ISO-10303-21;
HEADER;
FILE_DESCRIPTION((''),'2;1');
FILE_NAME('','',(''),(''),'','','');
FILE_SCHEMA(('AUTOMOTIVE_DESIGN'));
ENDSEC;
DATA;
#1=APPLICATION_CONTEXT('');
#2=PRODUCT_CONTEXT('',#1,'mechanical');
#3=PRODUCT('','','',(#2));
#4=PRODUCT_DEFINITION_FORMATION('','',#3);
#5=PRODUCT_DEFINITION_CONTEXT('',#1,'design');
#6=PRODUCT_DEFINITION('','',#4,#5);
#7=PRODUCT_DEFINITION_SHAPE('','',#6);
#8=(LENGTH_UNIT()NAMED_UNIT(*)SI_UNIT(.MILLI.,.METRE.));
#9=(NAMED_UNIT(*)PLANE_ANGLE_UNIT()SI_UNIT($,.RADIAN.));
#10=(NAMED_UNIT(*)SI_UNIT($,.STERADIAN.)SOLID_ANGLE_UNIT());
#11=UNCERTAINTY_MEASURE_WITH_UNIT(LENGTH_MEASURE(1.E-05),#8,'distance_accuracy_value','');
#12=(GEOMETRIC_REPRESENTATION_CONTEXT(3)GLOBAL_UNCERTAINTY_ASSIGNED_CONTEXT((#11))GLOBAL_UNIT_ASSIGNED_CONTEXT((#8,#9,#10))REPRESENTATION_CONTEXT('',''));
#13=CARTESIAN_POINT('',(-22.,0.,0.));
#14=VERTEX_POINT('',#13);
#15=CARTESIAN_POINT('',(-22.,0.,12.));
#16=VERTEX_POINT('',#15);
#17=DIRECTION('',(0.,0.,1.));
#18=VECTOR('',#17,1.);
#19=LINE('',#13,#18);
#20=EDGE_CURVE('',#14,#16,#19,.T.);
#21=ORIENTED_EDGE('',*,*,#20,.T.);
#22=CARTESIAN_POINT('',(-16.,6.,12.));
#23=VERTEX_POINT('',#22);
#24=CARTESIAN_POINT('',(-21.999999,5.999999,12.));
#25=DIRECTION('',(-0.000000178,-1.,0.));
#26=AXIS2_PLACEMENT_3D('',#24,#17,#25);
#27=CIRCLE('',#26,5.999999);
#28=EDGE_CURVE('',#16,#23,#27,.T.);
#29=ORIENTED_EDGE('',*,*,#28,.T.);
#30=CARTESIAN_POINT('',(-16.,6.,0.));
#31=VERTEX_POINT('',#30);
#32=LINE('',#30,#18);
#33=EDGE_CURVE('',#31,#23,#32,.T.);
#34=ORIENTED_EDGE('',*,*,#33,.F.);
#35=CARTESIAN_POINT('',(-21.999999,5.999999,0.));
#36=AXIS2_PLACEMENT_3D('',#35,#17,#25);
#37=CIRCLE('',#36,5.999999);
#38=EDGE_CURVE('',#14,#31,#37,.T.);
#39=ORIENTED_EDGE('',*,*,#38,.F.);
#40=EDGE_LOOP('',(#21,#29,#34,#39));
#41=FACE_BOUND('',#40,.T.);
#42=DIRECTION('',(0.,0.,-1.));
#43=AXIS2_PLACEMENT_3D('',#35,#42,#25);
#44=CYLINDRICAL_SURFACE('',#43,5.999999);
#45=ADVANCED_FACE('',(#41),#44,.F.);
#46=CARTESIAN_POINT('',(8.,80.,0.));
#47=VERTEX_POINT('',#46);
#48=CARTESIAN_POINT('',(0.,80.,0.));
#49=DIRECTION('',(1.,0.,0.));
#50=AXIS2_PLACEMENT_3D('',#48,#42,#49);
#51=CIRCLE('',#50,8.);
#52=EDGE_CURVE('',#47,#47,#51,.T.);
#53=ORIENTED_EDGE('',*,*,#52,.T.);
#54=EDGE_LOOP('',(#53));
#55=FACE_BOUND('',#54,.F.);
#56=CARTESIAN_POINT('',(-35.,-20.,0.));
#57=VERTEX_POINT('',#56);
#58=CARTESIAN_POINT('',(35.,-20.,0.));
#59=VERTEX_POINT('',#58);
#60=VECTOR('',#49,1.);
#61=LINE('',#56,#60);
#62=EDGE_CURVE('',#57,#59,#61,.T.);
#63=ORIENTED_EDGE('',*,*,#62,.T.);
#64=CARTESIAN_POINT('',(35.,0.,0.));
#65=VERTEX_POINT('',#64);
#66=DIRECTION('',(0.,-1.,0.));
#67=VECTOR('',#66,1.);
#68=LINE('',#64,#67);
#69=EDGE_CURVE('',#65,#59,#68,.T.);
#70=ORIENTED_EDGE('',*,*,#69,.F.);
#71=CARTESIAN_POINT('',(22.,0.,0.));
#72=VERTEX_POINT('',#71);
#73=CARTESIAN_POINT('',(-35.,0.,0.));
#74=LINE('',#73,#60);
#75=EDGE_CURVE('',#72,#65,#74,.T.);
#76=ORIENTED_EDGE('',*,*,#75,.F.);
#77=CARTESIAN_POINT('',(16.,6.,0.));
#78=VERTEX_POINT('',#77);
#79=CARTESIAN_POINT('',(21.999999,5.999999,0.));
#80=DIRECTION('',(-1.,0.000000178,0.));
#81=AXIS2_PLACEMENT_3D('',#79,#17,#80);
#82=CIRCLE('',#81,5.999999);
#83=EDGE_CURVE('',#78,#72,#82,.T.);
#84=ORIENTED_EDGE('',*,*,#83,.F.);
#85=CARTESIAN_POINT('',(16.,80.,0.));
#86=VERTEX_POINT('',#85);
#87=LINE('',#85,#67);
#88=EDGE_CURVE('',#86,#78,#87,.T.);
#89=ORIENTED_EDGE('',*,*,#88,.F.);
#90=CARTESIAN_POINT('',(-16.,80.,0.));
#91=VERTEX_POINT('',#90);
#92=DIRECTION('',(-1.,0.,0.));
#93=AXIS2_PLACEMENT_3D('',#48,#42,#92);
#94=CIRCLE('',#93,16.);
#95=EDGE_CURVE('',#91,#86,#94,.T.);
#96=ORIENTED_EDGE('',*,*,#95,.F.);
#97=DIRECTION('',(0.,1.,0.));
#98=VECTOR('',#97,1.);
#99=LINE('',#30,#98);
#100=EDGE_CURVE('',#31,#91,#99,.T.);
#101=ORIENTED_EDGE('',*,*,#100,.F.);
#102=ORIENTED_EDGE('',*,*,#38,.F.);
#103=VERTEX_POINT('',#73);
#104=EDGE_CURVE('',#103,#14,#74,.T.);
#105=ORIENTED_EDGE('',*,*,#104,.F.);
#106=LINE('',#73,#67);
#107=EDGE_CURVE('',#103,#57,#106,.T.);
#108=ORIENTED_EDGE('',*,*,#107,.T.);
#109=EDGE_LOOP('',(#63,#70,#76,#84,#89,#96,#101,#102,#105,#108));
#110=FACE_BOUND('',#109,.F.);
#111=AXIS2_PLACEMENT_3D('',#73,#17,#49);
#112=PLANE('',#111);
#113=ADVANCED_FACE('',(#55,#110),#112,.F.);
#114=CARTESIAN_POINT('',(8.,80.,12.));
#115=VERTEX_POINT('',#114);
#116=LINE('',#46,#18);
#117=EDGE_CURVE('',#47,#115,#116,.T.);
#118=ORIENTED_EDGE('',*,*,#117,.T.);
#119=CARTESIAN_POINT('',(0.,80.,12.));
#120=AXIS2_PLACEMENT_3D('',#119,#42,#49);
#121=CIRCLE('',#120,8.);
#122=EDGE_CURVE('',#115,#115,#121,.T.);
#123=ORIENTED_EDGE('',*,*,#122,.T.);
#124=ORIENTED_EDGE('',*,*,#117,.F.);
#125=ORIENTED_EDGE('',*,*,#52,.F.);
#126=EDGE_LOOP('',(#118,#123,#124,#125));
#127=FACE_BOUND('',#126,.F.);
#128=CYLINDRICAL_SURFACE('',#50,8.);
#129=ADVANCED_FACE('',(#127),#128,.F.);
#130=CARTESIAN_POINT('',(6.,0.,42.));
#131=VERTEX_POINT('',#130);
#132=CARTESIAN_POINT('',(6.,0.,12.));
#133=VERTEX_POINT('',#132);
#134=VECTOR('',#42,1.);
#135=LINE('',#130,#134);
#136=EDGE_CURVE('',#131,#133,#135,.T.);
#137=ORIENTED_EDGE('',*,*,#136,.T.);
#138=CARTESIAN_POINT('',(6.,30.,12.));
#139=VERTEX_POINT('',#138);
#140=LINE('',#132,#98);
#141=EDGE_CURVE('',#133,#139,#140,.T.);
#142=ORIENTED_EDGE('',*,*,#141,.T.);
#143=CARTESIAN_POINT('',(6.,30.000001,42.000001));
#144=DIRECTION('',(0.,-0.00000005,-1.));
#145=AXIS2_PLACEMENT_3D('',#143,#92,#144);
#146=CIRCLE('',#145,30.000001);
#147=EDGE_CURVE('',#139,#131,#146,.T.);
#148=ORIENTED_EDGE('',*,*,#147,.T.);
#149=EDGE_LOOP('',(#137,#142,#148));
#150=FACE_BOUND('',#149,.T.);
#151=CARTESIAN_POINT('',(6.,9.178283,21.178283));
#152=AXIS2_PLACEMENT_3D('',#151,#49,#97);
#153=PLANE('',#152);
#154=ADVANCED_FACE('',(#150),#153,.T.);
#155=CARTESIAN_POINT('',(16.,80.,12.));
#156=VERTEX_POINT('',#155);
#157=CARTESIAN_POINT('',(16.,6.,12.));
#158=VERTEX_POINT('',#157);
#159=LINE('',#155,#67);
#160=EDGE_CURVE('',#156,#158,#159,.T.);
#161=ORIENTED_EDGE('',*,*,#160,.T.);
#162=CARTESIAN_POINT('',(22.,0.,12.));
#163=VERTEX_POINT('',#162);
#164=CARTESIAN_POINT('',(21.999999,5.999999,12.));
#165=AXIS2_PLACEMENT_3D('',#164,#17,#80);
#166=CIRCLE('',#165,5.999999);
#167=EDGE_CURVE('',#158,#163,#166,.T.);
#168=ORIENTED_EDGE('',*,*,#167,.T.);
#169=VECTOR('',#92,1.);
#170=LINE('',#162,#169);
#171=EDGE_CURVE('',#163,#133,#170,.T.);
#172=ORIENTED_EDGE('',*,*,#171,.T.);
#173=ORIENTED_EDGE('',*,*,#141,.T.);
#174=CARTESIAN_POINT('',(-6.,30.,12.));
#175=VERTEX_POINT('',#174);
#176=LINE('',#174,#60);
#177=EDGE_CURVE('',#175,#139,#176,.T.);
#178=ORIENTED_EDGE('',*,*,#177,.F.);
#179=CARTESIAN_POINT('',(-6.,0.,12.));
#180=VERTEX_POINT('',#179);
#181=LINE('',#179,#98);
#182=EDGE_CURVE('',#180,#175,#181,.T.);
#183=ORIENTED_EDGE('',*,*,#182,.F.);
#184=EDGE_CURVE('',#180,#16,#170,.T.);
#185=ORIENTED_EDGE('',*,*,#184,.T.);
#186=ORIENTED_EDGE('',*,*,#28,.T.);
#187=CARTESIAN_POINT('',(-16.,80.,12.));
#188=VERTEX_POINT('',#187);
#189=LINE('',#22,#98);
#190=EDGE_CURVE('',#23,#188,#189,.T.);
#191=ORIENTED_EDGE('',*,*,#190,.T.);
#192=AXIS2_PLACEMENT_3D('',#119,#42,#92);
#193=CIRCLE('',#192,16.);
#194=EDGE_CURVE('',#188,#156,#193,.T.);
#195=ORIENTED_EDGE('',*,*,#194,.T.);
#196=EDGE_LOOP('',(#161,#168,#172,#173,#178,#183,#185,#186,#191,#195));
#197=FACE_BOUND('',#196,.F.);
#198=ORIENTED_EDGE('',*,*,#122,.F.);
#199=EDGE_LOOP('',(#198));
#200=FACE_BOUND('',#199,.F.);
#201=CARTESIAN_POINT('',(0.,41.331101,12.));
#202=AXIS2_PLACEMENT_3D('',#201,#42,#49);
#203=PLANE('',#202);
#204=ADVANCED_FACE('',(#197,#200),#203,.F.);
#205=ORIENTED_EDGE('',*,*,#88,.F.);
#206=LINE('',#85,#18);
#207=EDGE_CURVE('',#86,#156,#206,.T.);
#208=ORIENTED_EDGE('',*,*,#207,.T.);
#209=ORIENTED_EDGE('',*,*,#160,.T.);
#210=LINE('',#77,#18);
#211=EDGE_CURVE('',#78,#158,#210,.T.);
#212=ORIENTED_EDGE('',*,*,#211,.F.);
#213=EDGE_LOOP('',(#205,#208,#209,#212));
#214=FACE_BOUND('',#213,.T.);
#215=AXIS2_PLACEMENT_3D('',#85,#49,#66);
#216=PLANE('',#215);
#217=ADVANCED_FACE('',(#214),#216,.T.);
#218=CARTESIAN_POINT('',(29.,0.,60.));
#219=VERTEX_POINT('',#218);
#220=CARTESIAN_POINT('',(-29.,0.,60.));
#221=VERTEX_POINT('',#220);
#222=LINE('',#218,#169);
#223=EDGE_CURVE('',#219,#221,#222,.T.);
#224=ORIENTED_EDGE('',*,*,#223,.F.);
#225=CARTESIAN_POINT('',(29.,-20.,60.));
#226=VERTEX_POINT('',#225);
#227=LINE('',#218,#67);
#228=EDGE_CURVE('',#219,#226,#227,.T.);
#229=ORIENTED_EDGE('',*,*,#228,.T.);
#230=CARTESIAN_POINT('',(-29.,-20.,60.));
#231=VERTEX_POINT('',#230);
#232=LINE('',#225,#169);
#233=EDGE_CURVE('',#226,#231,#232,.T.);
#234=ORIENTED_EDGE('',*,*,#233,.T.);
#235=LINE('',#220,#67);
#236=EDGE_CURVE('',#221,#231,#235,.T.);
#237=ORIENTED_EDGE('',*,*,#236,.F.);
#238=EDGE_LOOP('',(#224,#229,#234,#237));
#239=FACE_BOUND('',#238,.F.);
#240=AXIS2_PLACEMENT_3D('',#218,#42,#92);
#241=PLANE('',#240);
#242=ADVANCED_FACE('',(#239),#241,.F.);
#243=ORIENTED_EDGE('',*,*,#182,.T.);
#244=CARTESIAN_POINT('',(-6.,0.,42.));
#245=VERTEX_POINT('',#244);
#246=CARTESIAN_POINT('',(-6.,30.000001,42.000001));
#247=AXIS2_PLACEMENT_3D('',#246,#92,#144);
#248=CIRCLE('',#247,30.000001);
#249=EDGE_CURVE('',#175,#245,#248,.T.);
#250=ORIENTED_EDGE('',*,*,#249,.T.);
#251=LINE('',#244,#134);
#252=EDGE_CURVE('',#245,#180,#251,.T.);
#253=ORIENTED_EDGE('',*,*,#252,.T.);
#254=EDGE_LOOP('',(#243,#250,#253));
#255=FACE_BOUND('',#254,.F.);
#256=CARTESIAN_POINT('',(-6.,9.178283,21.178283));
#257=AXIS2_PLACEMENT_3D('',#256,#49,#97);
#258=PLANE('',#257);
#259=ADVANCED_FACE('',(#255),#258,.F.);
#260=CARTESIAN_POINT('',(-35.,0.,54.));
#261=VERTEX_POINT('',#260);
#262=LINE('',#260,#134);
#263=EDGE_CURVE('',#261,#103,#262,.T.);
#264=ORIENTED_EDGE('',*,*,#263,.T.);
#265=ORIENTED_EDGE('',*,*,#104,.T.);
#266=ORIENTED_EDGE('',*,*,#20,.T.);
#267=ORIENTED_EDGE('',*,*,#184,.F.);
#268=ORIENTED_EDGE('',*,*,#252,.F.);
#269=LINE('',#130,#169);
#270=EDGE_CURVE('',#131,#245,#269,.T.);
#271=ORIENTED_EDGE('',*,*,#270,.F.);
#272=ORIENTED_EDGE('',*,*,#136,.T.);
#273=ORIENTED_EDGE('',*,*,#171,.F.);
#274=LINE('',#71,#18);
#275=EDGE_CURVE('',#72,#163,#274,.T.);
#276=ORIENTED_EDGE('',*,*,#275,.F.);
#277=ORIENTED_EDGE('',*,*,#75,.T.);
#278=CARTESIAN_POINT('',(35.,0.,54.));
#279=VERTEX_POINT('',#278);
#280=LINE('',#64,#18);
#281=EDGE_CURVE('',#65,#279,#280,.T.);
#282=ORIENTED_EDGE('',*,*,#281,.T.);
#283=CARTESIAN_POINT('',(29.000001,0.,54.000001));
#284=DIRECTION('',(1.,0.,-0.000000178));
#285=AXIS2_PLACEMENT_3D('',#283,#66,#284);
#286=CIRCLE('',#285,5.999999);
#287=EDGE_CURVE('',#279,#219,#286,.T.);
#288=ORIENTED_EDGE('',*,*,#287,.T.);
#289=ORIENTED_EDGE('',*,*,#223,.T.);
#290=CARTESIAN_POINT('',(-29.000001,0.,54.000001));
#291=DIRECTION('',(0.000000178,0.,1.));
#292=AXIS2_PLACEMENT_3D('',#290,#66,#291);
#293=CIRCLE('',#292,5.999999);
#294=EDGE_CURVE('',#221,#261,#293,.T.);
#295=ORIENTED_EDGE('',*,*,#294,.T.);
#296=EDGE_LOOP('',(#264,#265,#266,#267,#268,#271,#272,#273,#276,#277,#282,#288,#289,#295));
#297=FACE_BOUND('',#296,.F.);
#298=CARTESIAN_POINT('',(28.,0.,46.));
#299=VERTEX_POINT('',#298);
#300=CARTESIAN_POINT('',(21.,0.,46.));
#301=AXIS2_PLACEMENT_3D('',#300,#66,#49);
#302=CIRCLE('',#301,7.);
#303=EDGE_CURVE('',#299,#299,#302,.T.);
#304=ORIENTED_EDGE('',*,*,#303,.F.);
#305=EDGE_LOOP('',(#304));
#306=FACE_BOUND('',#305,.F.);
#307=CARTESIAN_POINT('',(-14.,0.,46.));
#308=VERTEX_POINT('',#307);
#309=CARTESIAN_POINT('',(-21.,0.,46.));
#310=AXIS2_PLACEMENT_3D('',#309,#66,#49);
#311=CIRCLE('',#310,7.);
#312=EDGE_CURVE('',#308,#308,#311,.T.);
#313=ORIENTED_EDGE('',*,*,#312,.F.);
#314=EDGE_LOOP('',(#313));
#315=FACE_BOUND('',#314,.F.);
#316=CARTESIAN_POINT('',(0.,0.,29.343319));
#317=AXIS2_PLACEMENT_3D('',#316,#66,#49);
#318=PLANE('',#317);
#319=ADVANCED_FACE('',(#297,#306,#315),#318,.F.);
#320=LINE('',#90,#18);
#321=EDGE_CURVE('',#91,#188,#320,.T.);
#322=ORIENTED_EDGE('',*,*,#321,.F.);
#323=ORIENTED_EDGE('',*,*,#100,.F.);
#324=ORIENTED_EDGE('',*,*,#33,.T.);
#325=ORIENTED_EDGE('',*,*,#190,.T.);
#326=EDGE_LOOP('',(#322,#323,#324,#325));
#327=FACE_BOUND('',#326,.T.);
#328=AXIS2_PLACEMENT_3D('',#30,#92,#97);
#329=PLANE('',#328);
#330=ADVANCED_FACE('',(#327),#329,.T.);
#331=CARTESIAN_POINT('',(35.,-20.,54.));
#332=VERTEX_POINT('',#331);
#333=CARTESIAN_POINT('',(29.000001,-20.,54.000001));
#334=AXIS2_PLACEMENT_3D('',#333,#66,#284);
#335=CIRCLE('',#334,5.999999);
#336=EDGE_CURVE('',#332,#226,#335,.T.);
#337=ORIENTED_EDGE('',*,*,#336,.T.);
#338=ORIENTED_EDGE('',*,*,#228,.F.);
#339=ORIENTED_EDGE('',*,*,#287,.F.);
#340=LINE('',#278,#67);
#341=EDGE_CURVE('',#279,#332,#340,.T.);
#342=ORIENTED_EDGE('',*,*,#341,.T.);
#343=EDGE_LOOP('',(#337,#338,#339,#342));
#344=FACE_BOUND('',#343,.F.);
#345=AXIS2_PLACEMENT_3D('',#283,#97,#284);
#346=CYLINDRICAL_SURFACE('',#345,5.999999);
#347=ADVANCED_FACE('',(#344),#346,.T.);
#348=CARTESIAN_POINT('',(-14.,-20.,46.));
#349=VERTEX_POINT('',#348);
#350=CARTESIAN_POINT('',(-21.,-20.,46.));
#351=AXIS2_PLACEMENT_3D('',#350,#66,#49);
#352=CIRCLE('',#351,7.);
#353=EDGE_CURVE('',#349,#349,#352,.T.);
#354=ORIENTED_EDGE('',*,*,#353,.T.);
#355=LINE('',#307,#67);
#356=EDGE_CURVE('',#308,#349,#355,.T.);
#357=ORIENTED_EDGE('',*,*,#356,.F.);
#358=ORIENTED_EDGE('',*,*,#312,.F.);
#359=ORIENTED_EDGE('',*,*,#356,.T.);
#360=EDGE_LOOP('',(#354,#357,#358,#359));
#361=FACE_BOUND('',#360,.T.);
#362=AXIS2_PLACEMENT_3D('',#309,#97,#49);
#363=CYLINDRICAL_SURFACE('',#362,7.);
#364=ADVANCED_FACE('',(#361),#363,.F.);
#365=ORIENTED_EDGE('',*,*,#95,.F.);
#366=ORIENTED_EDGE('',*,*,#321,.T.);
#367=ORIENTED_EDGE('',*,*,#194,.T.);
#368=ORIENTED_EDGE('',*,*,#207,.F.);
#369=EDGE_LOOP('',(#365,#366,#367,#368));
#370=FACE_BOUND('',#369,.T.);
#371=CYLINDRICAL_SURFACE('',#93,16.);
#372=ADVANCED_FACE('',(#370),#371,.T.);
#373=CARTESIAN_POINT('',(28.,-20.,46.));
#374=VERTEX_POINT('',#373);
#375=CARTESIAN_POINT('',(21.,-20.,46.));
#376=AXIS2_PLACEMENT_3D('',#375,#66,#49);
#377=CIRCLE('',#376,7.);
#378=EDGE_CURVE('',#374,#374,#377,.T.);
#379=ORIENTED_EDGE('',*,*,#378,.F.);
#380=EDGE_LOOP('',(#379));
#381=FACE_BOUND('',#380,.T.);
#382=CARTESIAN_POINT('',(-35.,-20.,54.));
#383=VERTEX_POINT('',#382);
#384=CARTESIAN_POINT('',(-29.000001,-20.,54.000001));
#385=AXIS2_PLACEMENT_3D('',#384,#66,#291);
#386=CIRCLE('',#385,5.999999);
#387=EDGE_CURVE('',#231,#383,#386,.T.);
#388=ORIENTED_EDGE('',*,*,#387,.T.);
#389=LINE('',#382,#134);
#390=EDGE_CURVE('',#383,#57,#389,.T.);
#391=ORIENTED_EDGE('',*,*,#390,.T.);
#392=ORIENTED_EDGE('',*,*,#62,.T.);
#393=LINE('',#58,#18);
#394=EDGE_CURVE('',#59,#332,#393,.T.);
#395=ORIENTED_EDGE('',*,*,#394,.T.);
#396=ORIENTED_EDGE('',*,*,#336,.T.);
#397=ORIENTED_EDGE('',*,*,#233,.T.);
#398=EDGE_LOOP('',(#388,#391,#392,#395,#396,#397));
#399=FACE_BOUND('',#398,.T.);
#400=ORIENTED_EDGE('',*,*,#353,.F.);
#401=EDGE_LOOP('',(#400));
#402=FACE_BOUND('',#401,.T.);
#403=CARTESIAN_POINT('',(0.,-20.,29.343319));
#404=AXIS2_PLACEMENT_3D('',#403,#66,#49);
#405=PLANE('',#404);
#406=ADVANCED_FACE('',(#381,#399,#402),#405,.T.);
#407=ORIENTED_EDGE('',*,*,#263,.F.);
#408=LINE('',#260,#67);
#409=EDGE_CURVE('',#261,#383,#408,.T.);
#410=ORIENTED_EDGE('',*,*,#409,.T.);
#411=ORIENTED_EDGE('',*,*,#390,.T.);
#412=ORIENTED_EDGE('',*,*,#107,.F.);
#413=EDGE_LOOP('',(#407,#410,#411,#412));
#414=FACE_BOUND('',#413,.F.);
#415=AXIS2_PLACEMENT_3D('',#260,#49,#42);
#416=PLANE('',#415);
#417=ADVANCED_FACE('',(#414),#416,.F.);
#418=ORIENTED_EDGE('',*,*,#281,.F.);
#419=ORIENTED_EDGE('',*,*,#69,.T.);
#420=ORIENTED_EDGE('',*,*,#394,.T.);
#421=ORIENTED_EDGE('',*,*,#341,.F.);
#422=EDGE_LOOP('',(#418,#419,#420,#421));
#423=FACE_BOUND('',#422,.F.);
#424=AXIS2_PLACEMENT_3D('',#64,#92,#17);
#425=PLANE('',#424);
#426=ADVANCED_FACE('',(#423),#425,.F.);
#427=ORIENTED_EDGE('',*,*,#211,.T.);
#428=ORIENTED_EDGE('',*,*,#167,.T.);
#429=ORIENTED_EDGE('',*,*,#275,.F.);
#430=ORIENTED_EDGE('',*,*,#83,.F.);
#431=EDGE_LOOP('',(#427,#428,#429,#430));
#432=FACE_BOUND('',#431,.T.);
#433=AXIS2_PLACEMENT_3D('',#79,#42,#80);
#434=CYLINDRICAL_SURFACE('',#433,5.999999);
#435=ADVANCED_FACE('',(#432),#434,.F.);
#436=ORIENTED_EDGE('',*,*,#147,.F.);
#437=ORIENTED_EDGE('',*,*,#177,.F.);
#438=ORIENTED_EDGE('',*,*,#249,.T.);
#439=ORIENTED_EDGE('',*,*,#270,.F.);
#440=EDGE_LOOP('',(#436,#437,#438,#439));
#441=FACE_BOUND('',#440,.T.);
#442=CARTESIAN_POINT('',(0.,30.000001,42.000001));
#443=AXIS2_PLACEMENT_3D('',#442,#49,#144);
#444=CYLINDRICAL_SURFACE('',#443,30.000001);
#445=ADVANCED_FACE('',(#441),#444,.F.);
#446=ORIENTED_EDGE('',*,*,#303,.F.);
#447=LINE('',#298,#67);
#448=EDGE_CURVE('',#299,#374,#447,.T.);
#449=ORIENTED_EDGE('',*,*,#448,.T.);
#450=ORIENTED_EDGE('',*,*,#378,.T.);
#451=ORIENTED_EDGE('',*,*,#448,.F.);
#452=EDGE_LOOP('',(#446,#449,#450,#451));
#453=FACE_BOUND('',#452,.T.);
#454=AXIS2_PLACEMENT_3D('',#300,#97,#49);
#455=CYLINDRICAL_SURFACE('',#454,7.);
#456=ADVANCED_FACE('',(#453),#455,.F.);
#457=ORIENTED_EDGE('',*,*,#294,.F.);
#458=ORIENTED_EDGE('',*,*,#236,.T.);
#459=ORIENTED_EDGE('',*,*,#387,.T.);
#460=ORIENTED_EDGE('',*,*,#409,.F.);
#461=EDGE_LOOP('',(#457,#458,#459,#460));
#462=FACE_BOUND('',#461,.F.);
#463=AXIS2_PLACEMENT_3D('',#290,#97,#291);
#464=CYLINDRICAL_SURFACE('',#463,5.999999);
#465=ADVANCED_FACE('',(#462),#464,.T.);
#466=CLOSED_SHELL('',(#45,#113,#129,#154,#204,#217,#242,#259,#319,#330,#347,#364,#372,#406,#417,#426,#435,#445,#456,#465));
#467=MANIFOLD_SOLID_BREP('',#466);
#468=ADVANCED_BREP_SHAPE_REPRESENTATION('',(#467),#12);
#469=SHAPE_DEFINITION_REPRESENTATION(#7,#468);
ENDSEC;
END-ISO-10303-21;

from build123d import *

# Parameters (mm, degrees)
F0_R     = 7
F1_DEPTH = 20
F2_R     = 8
F3_DEPTH = 12
F5_DEPTH = 25
F8_DEPTH = 6


with BuildPart() as f1:
    # F0 (on Front) → F1 (new body)
    with BuildSketch(Plane.XZ):
        with BuildLine():
            Line((-35, 54), (-35, 0))
            Line((-35, 0), (35, 0))
            Line((35, 0), (35, 54))
            ThreePointArc((35, 54), (33.242641, 58.242641), (29, 60))
            Line((29, 60), (-29, 60))
            ThreePointArc((-29, 60), (-33.242641, 58.242641), (-35, 54))
        make_face()
        with Locations((-21, 46)):
            Circle(F0_R, mode=Mode.SUBTRACT)
        with Locations((21, 46)):
            Circle(F0_R, mode=Mode.SUBTRACT)
    extrude(amount=F1_DEPTH)

    # F2 (on face) → F3 (join)
    with BuildSketch(Plane(origin=(0, 0, 0), x_dir=(1, 0, 0), z_dir=(0, 0, -1))):
        with BuildLine():
            Line((22, 0), (-22, 0))
            ThreePointArc((-22, 0), (-17.757359, -1.757359), (-16, -6))
            Line((-16, -6), (-16, -80))
            ThreePointArc((-16, -80), (0, -96), (16, -80))
            Line((16, -80), (16, -6))
            ThreePointArc((16, -6), (17.757359, -1.757359), (22, 0))
        make_face()
        with Locations((0, -80)):
            Circle(F2_R, mode=Mode.SUBTRACT)
    extrude(amount=-F3_DEPTH)

    # F7 (on Right) → F8 (join, symmetric)
    with BuildSketch(Plane.YZ):
        with BuildLine():
            Line((0, 12), (30, 12))
            ThreePointArc((30, 12), (8.786797, 20.786797), (0, 42))
            Line((0, 42), (0, 12))
        make_face()
    extrude(amount=F8_DEPTH, both=True)


with BuildPart() as f5:
    # F4 (on Right) → F5 (new body)
    with BuildSketch(Plane.YZ):
        Polygon((8.827168, -95.900685), (44.855885, -95.900685), (44.855885, -23.484161), (8.827168, -23.484161), (8.827168, -49.02795), (8.827168, -76.342739), align=None)
    extrude(amount=F5_DEPTH)


solid = f1.part
